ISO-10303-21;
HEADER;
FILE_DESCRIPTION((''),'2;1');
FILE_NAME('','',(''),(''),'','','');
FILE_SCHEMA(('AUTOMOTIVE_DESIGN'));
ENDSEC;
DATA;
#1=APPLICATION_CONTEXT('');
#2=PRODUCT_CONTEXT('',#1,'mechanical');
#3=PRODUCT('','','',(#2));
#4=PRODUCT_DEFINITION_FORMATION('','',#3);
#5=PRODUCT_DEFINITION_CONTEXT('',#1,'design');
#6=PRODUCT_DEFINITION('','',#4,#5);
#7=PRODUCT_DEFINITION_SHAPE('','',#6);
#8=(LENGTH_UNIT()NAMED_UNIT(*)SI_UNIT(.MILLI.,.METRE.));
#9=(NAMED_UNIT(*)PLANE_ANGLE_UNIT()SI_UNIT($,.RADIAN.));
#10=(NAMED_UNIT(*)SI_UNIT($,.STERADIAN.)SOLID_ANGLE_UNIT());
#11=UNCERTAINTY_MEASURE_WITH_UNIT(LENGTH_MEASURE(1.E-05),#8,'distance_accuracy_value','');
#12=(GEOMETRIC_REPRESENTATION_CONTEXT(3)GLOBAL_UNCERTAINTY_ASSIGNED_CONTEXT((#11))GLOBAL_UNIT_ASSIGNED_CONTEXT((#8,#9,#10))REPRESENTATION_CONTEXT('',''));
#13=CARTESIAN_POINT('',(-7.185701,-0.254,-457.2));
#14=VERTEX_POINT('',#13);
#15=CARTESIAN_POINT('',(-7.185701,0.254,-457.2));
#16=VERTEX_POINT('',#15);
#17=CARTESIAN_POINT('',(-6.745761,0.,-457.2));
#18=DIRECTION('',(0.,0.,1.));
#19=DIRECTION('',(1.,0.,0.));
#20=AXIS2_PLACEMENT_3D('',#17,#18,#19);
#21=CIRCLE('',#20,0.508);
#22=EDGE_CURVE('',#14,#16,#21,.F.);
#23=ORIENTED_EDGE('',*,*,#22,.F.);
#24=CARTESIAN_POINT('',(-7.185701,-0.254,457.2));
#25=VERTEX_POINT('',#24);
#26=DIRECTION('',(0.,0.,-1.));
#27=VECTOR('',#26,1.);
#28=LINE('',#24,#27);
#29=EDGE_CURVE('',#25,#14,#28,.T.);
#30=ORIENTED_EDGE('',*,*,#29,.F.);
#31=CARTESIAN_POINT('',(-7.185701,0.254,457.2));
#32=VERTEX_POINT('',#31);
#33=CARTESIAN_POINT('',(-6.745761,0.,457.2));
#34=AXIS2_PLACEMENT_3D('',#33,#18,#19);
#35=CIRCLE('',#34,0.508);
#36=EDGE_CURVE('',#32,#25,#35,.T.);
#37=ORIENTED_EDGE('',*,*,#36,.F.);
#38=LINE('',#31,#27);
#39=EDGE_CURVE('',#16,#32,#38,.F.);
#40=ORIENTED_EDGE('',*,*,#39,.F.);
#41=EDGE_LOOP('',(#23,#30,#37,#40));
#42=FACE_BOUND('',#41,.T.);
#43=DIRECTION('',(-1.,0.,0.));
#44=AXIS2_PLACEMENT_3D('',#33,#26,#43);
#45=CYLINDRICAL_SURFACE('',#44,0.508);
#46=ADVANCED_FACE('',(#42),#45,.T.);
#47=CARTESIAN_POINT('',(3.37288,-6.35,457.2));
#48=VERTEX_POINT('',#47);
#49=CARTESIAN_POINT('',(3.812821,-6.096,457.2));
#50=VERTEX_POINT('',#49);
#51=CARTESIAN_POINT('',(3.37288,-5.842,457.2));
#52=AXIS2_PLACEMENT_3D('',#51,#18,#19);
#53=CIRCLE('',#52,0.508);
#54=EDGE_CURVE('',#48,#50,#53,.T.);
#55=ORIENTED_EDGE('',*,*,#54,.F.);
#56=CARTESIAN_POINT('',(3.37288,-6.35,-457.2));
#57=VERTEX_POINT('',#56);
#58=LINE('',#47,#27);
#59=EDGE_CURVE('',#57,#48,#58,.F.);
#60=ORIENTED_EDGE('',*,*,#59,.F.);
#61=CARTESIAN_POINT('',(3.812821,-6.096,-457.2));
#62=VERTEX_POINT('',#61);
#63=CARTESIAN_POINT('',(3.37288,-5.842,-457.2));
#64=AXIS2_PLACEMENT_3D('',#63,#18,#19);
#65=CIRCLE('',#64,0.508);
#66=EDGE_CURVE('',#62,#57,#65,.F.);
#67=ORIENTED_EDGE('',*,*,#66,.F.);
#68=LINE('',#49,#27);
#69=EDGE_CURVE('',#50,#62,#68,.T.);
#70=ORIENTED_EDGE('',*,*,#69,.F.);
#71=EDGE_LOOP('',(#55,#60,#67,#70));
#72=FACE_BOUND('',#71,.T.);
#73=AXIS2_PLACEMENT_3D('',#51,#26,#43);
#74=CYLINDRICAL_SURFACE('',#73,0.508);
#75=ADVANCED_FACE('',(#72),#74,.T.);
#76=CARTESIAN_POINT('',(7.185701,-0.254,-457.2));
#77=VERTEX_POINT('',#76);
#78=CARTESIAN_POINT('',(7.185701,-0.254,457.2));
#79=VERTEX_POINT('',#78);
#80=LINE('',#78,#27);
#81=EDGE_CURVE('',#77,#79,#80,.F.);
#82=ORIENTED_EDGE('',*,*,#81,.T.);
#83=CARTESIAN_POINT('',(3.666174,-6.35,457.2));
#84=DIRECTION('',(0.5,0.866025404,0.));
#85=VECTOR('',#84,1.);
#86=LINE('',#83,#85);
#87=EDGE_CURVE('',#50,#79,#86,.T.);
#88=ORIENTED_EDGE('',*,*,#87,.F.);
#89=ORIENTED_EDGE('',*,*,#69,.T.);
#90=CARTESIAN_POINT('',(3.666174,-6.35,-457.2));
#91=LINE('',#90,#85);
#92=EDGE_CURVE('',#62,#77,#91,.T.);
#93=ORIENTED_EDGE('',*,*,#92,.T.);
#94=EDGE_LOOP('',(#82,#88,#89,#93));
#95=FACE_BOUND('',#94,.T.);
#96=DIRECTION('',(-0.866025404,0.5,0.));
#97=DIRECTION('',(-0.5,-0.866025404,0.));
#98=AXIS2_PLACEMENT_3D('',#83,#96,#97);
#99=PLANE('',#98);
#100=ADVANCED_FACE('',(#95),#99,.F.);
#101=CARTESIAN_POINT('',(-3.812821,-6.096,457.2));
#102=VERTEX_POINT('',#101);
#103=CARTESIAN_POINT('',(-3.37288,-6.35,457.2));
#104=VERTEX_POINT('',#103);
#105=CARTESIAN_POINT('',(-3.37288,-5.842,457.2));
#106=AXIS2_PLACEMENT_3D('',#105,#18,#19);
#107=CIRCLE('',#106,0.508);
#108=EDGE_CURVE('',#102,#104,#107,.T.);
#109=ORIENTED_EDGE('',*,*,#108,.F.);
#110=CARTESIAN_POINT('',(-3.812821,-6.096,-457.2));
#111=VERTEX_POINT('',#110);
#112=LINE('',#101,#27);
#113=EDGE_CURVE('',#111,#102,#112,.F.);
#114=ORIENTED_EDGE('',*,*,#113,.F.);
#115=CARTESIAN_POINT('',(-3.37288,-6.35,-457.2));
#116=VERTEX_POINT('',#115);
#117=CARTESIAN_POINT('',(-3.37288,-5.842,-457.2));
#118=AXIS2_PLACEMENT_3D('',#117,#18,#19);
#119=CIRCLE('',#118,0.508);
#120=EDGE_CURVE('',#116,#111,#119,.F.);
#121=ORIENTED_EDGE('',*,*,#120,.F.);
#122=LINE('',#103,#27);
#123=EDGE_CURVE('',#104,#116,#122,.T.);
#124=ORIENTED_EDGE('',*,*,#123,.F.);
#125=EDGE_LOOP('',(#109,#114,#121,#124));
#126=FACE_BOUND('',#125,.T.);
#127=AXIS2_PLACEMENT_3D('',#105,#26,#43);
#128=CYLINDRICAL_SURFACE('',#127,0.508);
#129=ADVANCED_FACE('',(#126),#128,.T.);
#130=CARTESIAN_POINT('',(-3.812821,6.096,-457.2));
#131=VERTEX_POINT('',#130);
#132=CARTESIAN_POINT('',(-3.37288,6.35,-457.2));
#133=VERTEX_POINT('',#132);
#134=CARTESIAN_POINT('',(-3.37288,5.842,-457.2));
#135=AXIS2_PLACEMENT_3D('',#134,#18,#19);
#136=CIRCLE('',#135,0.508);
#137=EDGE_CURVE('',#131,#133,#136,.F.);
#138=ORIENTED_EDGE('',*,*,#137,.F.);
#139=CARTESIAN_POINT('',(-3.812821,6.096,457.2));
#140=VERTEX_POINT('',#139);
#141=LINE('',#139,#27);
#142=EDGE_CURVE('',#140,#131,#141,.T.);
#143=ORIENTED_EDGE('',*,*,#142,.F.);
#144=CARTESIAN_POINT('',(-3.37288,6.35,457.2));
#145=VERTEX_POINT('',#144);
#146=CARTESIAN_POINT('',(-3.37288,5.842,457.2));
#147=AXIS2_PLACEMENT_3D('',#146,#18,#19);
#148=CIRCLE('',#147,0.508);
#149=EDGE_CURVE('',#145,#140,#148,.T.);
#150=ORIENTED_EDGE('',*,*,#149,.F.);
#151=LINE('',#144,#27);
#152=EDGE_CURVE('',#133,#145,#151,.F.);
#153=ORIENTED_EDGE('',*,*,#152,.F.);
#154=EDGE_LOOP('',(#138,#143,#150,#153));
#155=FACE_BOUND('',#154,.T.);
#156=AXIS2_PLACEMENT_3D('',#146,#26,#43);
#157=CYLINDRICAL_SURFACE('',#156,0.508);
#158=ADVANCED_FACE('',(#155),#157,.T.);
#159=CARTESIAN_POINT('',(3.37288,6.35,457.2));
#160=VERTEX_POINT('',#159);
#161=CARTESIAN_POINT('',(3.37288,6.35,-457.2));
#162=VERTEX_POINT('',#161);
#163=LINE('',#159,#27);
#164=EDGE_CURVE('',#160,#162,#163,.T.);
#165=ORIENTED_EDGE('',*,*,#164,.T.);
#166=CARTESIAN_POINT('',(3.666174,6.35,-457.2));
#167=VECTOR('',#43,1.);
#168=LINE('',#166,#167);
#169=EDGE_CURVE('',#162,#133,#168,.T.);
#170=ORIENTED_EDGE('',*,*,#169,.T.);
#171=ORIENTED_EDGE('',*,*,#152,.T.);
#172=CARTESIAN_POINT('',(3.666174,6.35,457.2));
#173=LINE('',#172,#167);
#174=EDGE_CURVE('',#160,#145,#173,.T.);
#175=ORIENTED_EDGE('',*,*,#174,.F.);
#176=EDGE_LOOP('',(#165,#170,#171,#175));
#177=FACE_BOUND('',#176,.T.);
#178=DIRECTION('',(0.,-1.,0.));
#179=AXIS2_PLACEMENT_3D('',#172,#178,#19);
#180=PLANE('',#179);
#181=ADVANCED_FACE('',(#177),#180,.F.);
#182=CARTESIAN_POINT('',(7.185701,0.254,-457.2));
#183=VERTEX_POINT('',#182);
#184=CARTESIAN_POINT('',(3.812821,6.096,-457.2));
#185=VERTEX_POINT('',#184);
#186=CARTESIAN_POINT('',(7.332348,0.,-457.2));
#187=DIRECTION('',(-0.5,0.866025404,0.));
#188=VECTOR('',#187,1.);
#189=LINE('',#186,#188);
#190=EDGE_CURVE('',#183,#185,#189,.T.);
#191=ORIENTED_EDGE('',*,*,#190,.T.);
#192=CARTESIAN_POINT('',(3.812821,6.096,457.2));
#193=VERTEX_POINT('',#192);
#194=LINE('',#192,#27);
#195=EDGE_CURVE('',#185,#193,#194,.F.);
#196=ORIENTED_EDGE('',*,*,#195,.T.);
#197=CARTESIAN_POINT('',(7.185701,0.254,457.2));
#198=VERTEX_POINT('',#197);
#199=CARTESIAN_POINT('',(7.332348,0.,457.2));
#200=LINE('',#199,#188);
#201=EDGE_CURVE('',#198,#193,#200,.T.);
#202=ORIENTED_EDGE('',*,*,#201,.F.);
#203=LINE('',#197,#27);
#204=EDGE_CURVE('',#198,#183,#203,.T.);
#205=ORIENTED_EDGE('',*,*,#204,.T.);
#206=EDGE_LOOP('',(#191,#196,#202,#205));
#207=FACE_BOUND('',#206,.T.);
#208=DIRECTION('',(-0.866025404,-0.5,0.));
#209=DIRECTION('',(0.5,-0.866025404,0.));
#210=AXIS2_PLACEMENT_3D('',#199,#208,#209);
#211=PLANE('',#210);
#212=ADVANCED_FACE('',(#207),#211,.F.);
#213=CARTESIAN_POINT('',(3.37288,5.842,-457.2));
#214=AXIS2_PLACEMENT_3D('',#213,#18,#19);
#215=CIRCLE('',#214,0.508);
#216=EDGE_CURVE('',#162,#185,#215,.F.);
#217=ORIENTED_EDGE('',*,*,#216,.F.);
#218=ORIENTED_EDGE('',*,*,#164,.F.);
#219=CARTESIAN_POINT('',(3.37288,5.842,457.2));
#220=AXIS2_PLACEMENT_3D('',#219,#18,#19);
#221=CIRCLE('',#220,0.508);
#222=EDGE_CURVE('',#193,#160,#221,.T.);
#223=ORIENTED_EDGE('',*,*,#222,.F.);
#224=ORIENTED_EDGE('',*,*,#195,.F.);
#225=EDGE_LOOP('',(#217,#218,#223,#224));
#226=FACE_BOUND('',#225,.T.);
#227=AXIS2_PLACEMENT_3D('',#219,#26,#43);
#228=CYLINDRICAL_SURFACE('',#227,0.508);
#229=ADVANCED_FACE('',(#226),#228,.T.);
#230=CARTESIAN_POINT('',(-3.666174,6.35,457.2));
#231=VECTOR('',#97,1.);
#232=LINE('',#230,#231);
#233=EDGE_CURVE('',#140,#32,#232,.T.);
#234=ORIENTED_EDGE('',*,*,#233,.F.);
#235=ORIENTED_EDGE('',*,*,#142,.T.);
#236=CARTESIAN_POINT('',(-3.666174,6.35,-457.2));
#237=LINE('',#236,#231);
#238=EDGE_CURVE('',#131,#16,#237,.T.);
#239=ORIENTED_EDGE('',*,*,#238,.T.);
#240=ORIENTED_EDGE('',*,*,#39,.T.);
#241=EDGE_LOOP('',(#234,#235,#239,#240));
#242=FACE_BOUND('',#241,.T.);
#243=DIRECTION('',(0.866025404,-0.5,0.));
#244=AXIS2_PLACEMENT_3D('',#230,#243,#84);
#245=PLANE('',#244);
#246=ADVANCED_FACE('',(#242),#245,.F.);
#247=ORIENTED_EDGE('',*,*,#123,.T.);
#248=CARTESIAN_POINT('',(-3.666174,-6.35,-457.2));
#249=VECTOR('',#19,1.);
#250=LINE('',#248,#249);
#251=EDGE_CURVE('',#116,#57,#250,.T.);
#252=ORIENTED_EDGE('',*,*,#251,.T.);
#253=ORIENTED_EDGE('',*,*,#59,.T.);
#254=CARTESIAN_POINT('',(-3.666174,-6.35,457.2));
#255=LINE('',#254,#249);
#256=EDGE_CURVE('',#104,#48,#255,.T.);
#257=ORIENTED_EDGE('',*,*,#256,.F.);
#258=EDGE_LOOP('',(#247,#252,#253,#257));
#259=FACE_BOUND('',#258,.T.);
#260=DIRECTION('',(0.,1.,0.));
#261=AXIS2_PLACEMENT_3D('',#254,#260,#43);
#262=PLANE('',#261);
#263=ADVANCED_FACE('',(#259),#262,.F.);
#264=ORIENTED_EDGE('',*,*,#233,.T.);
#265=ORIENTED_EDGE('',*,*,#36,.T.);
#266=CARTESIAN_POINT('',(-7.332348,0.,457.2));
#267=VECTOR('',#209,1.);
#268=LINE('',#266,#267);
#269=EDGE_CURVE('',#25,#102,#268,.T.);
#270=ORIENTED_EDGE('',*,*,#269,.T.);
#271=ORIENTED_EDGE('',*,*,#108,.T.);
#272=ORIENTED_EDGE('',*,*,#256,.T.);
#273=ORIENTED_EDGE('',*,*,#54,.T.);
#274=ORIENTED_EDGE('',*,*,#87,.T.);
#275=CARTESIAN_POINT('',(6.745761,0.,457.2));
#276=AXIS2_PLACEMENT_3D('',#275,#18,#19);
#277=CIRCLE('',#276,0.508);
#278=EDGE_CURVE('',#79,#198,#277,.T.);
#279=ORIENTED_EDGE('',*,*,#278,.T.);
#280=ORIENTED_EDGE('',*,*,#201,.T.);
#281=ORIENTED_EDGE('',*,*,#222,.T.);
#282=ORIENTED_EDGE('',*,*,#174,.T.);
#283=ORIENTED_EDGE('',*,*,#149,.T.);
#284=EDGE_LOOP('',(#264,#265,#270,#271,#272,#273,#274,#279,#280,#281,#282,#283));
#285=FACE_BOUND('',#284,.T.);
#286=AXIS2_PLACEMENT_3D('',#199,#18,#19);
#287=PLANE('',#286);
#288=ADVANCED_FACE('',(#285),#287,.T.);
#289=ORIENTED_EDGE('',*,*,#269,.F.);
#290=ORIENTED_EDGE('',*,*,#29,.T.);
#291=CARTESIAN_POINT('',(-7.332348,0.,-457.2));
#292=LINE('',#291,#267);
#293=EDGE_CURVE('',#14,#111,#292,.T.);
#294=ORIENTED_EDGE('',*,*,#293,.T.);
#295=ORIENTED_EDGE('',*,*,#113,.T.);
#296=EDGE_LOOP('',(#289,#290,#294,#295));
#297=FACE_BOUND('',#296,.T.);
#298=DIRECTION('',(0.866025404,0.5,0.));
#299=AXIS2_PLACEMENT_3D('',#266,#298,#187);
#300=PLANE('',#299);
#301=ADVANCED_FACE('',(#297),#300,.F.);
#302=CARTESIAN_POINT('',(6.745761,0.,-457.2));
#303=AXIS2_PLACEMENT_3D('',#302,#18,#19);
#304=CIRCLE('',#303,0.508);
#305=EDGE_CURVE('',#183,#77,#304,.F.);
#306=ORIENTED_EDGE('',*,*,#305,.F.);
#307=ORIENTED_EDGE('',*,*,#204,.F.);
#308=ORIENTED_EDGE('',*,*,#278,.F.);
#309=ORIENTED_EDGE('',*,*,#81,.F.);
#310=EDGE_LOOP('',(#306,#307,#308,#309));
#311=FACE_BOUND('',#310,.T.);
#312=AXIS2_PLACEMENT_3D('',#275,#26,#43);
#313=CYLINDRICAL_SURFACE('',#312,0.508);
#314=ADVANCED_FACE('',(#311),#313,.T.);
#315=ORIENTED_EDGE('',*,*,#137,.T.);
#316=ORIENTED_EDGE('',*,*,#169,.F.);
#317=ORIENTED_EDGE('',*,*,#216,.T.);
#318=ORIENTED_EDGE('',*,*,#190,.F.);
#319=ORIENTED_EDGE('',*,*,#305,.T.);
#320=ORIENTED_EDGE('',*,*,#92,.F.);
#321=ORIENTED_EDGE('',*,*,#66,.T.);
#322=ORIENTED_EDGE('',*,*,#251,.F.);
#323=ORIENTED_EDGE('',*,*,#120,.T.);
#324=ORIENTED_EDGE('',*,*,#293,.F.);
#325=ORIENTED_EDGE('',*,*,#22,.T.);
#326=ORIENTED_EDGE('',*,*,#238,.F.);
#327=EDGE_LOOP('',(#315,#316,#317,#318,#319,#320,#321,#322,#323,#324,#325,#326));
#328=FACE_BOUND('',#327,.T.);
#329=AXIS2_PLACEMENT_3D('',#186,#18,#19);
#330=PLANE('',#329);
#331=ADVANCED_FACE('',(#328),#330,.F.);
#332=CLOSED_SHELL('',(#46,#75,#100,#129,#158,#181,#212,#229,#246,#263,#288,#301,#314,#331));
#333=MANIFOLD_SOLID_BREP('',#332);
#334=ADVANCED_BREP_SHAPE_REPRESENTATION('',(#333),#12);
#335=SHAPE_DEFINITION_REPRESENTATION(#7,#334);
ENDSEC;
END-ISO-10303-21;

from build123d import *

# Parameters (mm, degrees)
BOSS_EXTRUDE1_DEPTH = 457.2
FILLET1_R           = 0.508


with BuildPart() as part:
    # Sketch1 → Boss-Extrude1 (new body, symmetric)
    with BuildSketch(Plane.XY):
        Polygon((7.332348419, 0), (3.666174209, 6.35), (-3.666174209, 6.35), (-7.332348419, 0), (-3.666174209, -6.35), (3.666174209, -6.35), align=None)
    extrude(amount=BOSS_EXTRUDE1_DEPTH, both=True)

    # Fillet1
    fillet1_edges = [part.edges().sort_by_distance(p)[0] for p in [
        (3.666174209, -6.35, 0),
        (-3.666174209, -6.35, 0),
        (-7.332348419, 0, 0),
        (-3.666174209, 6.35, 0),
        (3.666174209, 6.35, 0),
        (7.332348419, 0, 0),
    ]]
    fillet(fillet1_edges, radius=FILLET1_R)


solid = part.part
